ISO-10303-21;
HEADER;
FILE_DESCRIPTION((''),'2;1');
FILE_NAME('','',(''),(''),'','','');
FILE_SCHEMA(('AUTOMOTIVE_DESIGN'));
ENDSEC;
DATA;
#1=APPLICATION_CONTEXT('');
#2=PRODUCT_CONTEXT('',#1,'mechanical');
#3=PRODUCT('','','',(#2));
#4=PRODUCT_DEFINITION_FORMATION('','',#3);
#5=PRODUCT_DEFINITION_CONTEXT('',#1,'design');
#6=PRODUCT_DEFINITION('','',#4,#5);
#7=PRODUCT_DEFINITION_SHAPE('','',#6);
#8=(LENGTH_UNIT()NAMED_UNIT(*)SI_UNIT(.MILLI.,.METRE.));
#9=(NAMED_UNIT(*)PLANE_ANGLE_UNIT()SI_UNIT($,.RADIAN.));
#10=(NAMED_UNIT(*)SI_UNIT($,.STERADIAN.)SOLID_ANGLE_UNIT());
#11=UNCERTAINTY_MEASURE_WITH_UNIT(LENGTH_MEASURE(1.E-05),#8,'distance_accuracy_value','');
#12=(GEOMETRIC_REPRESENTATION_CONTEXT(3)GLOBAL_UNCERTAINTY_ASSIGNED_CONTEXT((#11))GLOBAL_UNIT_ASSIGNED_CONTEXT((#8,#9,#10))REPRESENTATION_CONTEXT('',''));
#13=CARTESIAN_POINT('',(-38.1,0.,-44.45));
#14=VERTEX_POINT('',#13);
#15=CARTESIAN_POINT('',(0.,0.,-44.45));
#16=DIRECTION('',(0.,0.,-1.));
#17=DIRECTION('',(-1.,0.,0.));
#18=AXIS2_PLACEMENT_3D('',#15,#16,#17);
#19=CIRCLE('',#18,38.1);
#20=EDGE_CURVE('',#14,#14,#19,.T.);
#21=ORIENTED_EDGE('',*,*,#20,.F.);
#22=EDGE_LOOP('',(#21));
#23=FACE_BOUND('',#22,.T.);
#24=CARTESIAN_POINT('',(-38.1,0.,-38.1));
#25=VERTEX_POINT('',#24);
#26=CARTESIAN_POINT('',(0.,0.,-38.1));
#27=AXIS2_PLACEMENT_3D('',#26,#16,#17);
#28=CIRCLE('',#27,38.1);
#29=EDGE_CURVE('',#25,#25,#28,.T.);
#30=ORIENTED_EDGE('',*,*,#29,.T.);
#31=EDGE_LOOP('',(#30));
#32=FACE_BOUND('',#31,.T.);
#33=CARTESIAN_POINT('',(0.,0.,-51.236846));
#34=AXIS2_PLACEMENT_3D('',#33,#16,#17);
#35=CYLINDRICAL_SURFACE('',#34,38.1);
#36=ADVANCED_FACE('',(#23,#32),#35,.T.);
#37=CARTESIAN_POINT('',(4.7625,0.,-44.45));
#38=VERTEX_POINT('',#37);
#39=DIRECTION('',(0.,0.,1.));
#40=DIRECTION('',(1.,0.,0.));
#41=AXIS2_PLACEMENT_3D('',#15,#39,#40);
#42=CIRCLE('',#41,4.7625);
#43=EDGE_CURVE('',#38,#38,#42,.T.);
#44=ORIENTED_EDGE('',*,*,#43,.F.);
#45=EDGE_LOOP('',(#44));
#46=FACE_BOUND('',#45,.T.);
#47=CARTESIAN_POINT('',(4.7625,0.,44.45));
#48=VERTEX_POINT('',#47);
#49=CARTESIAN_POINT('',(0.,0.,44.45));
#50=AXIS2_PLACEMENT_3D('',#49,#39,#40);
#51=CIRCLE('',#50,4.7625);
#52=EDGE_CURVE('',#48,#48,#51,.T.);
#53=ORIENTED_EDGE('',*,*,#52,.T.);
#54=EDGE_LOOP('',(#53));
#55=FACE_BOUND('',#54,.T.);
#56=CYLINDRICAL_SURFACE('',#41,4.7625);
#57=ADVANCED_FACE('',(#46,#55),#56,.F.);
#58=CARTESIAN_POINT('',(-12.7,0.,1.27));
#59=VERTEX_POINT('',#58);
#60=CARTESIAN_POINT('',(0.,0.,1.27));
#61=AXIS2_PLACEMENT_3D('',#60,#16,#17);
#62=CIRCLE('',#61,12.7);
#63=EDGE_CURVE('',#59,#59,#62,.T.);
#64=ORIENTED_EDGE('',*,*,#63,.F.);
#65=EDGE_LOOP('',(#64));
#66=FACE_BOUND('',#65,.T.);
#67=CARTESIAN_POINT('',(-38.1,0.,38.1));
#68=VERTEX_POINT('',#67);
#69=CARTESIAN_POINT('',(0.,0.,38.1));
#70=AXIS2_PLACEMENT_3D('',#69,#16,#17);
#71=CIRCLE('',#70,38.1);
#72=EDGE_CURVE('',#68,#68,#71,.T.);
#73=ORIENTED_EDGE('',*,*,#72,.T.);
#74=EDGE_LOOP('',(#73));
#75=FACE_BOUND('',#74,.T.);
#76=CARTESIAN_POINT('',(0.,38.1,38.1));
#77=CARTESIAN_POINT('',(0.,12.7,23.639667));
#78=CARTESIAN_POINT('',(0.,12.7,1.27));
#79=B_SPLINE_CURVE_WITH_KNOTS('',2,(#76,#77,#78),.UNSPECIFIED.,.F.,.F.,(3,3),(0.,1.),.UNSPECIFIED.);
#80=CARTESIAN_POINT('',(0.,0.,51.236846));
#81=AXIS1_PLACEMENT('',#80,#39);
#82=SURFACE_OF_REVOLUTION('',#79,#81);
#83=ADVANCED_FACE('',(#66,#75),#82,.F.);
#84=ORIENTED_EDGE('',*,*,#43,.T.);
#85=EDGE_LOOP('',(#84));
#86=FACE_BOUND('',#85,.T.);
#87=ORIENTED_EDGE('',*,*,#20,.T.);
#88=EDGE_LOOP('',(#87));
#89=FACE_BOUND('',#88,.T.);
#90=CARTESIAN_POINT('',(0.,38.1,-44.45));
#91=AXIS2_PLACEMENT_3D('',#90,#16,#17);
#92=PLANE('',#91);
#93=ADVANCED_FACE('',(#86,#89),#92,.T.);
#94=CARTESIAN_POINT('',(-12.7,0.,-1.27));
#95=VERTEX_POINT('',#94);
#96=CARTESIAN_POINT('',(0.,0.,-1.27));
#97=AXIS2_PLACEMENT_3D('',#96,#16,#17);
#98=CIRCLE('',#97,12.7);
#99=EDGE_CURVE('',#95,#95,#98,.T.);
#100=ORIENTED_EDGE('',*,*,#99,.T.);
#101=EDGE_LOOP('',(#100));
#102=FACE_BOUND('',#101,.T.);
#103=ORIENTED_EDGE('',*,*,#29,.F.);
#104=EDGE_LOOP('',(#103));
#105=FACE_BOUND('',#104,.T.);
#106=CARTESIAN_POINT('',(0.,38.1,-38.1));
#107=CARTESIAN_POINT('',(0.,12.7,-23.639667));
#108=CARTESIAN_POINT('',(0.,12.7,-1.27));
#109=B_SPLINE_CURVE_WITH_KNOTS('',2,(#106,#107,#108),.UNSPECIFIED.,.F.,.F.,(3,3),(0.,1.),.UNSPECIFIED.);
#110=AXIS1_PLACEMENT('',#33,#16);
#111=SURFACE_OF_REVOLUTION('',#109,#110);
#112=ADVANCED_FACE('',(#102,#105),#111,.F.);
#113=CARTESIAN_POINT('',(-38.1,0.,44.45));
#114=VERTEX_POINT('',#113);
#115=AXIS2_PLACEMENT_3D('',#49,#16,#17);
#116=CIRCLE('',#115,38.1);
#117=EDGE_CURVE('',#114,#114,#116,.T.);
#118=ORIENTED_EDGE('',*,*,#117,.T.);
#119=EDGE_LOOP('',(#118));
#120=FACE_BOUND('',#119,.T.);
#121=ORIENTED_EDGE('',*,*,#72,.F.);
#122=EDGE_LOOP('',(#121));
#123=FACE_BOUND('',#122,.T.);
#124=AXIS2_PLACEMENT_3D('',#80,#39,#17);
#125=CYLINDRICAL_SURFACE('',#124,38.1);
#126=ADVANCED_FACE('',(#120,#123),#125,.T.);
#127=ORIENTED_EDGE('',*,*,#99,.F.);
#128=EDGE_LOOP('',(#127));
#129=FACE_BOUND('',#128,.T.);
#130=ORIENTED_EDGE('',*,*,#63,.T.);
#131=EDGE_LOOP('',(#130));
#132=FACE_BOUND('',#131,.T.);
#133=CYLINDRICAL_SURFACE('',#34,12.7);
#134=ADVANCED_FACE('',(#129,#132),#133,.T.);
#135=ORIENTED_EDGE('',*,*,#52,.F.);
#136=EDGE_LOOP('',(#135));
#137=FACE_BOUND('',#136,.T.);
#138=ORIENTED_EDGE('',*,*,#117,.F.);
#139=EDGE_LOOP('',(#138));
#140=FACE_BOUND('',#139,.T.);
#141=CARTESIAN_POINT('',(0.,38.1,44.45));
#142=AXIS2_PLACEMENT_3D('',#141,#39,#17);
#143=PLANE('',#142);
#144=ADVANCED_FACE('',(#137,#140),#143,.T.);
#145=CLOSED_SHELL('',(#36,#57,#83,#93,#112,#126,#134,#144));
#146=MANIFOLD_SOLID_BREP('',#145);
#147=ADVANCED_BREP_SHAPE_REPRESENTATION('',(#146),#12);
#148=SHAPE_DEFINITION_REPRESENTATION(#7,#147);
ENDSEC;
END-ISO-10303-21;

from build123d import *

# Parameters (mm, degrees)
CUT_EXTRUDE1_DEPTH      = 70.850000109
CUT_EXTRUDE1_DEPTH_BACK = 70.850000109
SKETCH2_R               = 4.7625


with BuildPart() as part:
    # Sketch1 → Revolve1 (revolve)
    with BuildSketch(Plane(origin=(0, 0, 0), x_dir=(0, 0, -1), z_dir=(1, 0, 0)), mode=Mode.PRIVATE) as revolve1_sk:
        with BuildLine():
            Line((0, 0), (0, 12.7))
            Line((0, 12.7), (1.27, 12.7))
            add(Edge.make_bspline(
                [(1.27, 12.7), (23.639666793, 12.7), (38.1, 38.1)],
                knots=[0, 0, 0, 1, 1, 1], degree=2))
            Line((38.1, 38.1), (44.45, 38.1))
            Line((44.45, 38.1), (44.45, 0))
            Line((44.45, 0), (0, 0))
        make_face()
    revolve1 = revolve(revolve1_sk.sketch.rotate(Axis((0, 0, -51.236845644), (0, 0, 1)), 90), axis=Axis((0, 0, -51.236845644), (0, 0, 1)))

    # Mirror1: Revolve1 across plane
    add(revolve1.mirror(Plane.XY))

    # Sketch2 → Cut-Extrude1 (cut, two sides: drawn at the far end of the back side and taken through both)
    with BuildSketch(Plane.XY.offset(-CUT_EXTRUDE1_DEPTH_BACK)):
        Circle(SKETCH2_R)
    extrude(amount=CUT_EXTRUDE1_DEPTH + CUT_EXTRUDE1_DEPTH_BACK, mode=Mode.SUBTRACT)


solid = part.part
